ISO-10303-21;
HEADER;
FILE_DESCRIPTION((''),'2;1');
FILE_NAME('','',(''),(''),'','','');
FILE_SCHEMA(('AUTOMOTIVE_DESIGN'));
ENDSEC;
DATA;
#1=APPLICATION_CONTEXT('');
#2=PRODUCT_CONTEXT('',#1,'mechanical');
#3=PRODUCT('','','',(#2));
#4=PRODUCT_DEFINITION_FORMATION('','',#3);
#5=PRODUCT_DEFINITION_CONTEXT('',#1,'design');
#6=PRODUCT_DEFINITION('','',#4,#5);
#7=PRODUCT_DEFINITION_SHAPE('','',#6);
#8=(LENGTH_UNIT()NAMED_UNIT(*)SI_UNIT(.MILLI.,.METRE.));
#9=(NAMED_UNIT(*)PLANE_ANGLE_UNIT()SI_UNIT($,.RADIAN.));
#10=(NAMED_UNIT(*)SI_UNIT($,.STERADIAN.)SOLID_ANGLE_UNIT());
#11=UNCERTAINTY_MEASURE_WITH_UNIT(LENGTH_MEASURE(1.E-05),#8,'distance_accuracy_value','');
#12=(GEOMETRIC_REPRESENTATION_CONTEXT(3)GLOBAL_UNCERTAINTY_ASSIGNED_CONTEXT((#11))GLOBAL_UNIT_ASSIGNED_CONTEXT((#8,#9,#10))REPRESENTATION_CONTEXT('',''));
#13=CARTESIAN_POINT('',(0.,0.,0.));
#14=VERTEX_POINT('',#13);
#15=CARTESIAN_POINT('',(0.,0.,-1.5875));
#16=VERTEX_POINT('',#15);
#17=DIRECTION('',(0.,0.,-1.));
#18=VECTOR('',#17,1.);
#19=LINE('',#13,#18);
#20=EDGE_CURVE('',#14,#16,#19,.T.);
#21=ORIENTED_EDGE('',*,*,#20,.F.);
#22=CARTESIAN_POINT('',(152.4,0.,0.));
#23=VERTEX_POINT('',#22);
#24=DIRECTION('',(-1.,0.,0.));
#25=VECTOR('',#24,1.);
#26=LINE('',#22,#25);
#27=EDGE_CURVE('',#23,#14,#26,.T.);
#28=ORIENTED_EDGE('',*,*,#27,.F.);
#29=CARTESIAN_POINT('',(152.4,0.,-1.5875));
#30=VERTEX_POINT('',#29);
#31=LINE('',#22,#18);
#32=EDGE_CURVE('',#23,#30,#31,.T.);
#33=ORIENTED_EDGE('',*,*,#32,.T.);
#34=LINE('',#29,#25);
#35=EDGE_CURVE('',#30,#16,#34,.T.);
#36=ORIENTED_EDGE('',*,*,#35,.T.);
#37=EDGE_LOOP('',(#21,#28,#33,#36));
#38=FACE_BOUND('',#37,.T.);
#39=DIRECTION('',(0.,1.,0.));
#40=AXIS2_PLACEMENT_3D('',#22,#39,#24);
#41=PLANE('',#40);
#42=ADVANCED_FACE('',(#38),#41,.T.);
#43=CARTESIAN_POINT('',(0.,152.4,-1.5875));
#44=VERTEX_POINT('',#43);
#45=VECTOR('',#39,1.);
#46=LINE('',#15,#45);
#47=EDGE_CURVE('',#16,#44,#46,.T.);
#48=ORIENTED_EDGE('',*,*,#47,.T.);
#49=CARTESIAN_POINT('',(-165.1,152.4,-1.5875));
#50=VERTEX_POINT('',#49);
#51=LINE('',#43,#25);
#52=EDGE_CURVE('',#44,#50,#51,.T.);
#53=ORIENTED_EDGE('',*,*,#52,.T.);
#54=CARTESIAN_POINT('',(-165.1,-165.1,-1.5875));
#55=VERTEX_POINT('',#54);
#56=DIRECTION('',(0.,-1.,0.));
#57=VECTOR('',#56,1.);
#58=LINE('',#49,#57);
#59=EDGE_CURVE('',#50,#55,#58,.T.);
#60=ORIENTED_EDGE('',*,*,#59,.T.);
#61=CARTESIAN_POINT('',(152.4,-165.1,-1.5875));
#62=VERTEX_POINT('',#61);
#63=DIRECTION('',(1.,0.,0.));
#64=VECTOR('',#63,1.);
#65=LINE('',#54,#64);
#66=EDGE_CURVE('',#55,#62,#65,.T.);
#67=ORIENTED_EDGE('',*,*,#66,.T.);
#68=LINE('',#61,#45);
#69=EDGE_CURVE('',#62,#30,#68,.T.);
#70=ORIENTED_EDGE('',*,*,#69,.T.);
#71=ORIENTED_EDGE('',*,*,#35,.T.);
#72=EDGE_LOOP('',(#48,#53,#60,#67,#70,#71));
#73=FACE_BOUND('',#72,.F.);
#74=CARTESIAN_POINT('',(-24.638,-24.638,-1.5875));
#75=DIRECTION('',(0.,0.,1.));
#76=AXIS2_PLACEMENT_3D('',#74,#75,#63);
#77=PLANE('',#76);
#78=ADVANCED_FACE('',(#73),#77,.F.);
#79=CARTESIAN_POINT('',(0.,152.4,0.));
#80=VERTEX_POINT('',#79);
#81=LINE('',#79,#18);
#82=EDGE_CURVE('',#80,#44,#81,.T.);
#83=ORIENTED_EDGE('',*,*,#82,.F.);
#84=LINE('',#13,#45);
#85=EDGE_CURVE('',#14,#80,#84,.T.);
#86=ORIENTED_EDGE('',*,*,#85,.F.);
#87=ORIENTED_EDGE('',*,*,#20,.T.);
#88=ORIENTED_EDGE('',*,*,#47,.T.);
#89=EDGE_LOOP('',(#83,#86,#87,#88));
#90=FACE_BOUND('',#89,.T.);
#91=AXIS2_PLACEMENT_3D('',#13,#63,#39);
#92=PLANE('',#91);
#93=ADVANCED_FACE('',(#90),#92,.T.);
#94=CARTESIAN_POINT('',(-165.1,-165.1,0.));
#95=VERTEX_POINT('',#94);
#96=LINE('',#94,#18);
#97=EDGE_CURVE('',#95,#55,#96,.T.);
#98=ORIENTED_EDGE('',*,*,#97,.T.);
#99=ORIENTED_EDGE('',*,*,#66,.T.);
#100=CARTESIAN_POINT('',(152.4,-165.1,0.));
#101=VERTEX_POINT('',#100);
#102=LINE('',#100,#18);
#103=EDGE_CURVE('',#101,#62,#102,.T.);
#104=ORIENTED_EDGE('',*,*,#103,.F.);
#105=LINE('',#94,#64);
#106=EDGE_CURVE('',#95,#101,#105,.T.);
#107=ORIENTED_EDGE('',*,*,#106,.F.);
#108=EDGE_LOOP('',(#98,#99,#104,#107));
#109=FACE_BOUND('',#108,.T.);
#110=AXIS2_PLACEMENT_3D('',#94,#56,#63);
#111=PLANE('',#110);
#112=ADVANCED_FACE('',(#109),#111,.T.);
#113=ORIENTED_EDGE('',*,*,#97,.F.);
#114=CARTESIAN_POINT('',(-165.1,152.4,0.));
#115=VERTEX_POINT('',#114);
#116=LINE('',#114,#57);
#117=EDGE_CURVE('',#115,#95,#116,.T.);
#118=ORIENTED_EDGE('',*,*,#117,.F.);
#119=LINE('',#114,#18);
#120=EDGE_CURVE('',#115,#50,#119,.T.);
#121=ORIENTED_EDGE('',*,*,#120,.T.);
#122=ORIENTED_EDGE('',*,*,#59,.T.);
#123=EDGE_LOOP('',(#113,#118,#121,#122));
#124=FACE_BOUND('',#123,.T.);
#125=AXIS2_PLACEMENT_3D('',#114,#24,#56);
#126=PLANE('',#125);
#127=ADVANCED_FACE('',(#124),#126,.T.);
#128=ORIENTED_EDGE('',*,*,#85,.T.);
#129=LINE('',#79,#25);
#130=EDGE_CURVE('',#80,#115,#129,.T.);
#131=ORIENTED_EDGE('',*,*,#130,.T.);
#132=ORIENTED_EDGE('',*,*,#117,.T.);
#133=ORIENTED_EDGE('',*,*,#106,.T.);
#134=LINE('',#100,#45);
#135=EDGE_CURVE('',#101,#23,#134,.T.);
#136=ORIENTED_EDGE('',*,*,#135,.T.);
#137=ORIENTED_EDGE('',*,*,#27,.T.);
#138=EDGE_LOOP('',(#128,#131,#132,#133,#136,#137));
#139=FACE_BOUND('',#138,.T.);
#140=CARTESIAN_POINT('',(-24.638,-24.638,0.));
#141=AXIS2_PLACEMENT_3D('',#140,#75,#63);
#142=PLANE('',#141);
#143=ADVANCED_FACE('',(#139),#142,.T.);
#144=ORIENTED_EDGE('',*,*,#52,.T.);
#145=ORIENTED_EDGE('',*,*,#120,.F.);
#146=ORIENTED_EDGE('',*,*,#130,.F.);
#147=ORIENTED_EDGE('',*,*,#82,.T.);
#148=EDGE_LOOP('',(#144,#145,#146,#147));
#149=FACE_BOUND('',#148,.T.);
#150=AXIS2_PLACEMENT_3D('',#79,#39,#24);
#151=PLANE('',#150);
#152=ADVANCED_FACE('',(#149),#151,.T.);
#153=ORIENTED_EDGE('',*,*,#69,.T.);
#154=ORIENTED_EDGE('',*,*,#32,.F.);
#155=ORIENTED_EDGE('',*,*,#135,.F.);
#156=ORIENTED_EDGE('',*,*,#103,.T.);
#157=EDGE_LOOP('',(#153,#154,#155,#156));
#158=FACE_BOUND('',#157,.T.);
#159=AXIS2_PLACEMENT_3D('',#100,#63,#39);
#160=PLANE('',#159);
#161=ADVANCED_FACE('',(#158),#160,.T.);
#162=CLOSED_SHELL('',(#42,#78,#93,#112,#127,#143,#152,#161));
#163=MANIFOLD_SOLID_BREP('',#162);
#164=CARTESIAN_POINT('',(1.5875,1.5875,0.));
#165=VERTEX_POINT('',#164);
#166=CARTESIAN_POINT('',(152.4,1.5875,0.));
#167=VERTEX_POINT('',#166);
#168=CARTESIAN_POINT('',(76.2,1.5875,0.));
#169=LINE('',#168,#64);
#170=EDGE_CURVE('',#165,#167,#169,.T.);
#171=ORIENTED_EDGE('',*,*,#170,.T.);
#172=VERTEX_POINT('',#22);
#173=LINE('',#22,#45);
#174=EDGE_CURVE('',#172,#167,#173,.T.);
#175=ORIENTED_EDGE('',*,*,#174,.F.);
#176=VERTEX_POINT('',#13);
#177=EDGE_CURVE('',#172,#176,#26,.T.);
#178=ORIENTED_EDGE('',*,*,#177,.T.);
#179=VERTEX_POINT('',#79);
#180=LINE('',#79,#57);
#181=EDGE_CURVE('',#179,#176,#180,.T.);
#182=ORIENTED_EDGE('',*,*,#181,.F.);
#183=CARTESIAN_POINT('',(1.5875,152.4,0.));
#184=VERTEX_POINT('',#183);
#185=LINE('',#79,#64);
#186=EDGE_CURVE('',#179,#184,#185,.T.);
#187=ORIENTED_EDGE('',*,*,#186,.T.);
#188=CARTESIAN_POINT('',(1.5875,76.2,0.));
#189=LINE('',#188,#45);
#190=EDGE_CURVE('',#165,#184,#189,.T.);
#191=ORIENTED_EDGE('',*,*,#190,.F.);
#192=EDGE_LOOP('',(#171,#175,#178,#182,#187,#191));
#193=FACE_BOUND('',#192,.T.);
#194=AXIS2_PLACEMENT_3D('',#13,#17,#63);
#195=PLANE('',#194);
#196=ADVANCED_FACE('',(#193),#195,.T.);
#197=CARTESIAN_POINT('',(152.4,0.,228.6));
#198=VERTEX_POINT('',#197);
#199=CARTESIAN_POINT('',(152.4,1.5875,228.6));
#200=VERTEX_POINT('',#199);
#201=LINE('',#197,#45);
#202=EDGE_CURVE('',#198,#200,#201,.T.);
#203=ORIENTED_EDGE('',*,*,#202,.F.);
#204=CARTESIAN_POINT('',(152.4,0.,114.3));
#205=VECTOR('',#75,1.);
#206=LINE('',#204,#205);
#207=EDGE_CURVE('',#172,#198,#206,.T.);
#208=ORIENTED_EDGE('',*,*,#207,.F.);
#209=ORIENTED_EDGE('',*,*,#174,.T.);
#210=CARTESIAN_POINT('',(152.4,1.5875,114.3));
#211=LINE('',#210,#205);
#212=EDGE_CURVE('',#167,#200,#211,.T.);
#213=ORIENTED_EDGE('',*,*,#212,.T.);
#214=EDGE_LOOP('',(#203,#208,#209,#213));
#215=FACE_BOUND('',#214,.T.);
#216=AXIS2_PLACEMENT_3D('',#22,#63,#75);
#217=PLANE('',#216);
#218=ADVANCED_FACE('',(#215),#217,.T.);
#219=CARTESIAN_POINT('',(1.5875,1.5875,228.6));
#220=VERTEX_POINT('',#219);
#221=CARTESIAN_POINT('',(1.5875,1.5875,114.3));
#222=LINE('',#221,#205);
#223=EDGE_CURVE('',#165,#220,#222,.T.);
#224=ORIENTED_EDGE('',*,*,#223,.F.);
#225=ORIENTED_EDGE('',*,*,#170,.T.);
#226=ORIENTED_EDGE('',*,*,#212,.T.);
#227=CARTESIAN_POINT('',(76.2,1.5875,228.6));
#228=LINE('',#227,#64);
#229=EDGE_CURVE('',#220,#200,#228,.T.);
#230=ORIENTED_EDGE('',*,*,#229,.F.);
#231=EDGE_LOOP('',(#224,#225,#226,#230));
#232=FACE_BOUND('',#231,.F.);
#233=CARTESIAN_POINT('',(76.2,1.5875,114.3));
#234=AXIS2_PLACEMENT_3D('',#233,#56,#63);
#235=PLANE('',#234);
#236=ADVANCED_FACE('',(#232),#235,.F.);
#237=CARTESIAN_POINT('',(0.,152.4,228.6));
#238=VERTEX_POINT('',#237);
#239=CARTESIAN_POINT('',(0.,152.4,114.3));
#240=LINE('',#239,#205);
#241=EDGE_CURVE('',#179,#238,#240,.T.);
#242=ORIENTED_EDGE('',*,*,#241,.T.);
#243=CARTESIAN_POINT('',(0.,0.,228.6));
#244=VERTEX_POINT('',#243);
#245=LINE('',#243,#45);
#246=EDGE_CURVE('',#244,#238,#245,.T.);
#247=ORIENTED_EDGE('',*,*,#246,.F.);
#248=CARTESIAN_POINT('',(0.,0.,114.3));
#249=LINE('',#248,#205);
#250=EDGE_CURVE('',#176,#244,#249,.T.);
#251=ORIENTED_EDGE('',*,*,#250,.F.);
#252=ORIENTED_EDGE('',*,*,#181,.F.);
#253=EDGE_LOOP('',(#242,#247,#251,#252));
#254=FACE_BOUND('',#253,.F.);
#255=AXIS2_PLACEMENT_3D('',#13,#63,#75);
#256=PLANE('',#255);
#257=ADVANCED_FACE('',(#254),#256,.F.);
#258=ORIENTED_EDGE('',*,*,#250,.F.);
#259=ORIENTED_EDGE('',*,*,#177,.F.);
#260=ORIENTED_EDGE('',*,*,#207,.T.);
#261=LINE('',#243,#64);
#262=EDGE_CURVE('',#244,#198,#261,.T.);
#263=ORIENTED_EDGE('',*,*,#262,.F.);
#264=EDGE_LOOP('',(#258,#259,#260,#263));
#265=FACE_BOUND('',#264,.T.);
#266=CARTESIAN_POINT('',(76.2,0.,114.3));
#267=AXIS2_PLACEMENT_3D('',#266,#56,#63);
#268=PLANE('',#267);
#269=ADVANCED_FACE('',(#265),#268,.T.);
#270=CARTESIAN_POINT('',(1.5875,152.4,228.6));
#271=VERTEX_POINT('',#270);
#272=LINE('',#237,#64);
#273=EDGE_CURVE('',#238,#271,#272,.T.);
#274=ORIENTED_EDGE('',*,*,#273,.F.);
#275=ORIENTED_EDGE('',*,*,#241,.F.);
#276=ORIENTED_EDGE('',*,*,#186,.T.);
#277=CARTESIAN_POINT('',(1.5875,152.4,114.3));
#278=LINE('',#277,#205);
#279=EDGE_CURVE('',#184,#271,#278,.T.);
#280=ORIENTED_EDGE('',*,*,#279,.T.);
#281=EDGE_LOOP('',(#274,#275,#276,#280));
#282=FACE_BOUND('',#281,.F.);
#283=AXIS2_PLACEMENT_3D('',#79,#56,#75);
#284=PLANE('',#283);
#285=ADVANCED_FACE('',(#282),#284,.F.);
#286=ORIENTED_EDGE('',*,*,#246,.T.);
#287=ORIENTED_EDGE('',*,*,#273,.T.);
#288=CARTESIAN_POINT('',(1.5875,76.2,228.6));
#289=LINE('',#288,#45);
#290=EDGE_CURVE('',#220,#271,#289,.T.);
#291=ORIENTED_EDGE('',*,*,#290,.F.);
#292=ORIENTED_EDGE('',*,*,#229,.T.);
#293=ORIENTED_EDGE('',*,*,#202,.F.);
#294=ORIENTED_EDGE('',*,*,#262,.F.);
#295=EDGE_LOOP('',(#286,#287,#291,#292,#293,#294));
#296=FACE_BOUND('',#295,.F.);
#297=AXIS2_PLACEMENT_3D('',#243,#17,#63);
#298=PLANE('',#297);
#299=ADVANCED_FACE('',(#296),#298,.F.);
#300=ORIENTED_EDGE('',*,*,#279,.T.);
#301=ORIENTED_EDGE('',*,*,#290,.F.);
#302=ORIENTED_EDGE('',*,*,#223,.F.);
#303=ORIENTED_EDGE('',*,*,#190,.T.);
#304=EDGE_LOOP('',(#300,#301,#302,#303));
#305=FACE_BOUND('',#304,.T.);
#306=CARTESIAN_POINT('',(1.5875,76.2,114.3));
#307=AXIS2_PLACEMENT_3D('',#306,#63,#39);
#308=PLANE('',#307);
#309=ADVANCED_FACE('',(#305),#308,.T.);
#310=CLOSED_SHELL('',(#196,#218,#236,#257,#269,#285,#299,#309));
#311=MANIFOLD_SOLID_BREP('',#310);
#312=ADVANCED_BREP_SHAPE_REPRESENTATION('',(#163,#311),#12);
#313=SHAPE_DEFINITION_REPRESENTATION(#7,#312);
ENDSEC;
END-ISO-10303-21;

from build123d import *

# Parameters (mm, degrees)
F0_W     = 152.4
F0_H     = 228.6
F3_DEPTH = 1.5875
F1_W     = 152.4
F1_H     = 228.6
F4_DEPTH = 1.5875
F5_DEPTH = 1.5875


with BuildPart() as f3:
    # F0 (on Front) → F3 (new body)
    with BuildSketch(Plane.XZ):
        with Locations((76.2, 114.3)):
            Rectangle(F0_W, F0_H)
    extrude(amount=-F3_DEPTH)

    # F1 (on Right) → F4 (join)
    with BuildSketch(Plane.YZ):
        with Locations((76.2, 114.3)):
            Rectangle(F1_W, F1_H)
    extrude(amount=F4_DEPTH)


with BuildPart() as f5:
    # F2 (on Top) → F5 (new body)
    with BuildSketch(Plane.XY):
        Polygon((152.4, 0), (0, 0), (0, 152.4), (-165.1, 152.4), (-165.1, -165.1), (152.4, -165.1), align=None)
    extrude(amount=-F5_DEPTH)


solid = Compound([f3.part, f5.part])
